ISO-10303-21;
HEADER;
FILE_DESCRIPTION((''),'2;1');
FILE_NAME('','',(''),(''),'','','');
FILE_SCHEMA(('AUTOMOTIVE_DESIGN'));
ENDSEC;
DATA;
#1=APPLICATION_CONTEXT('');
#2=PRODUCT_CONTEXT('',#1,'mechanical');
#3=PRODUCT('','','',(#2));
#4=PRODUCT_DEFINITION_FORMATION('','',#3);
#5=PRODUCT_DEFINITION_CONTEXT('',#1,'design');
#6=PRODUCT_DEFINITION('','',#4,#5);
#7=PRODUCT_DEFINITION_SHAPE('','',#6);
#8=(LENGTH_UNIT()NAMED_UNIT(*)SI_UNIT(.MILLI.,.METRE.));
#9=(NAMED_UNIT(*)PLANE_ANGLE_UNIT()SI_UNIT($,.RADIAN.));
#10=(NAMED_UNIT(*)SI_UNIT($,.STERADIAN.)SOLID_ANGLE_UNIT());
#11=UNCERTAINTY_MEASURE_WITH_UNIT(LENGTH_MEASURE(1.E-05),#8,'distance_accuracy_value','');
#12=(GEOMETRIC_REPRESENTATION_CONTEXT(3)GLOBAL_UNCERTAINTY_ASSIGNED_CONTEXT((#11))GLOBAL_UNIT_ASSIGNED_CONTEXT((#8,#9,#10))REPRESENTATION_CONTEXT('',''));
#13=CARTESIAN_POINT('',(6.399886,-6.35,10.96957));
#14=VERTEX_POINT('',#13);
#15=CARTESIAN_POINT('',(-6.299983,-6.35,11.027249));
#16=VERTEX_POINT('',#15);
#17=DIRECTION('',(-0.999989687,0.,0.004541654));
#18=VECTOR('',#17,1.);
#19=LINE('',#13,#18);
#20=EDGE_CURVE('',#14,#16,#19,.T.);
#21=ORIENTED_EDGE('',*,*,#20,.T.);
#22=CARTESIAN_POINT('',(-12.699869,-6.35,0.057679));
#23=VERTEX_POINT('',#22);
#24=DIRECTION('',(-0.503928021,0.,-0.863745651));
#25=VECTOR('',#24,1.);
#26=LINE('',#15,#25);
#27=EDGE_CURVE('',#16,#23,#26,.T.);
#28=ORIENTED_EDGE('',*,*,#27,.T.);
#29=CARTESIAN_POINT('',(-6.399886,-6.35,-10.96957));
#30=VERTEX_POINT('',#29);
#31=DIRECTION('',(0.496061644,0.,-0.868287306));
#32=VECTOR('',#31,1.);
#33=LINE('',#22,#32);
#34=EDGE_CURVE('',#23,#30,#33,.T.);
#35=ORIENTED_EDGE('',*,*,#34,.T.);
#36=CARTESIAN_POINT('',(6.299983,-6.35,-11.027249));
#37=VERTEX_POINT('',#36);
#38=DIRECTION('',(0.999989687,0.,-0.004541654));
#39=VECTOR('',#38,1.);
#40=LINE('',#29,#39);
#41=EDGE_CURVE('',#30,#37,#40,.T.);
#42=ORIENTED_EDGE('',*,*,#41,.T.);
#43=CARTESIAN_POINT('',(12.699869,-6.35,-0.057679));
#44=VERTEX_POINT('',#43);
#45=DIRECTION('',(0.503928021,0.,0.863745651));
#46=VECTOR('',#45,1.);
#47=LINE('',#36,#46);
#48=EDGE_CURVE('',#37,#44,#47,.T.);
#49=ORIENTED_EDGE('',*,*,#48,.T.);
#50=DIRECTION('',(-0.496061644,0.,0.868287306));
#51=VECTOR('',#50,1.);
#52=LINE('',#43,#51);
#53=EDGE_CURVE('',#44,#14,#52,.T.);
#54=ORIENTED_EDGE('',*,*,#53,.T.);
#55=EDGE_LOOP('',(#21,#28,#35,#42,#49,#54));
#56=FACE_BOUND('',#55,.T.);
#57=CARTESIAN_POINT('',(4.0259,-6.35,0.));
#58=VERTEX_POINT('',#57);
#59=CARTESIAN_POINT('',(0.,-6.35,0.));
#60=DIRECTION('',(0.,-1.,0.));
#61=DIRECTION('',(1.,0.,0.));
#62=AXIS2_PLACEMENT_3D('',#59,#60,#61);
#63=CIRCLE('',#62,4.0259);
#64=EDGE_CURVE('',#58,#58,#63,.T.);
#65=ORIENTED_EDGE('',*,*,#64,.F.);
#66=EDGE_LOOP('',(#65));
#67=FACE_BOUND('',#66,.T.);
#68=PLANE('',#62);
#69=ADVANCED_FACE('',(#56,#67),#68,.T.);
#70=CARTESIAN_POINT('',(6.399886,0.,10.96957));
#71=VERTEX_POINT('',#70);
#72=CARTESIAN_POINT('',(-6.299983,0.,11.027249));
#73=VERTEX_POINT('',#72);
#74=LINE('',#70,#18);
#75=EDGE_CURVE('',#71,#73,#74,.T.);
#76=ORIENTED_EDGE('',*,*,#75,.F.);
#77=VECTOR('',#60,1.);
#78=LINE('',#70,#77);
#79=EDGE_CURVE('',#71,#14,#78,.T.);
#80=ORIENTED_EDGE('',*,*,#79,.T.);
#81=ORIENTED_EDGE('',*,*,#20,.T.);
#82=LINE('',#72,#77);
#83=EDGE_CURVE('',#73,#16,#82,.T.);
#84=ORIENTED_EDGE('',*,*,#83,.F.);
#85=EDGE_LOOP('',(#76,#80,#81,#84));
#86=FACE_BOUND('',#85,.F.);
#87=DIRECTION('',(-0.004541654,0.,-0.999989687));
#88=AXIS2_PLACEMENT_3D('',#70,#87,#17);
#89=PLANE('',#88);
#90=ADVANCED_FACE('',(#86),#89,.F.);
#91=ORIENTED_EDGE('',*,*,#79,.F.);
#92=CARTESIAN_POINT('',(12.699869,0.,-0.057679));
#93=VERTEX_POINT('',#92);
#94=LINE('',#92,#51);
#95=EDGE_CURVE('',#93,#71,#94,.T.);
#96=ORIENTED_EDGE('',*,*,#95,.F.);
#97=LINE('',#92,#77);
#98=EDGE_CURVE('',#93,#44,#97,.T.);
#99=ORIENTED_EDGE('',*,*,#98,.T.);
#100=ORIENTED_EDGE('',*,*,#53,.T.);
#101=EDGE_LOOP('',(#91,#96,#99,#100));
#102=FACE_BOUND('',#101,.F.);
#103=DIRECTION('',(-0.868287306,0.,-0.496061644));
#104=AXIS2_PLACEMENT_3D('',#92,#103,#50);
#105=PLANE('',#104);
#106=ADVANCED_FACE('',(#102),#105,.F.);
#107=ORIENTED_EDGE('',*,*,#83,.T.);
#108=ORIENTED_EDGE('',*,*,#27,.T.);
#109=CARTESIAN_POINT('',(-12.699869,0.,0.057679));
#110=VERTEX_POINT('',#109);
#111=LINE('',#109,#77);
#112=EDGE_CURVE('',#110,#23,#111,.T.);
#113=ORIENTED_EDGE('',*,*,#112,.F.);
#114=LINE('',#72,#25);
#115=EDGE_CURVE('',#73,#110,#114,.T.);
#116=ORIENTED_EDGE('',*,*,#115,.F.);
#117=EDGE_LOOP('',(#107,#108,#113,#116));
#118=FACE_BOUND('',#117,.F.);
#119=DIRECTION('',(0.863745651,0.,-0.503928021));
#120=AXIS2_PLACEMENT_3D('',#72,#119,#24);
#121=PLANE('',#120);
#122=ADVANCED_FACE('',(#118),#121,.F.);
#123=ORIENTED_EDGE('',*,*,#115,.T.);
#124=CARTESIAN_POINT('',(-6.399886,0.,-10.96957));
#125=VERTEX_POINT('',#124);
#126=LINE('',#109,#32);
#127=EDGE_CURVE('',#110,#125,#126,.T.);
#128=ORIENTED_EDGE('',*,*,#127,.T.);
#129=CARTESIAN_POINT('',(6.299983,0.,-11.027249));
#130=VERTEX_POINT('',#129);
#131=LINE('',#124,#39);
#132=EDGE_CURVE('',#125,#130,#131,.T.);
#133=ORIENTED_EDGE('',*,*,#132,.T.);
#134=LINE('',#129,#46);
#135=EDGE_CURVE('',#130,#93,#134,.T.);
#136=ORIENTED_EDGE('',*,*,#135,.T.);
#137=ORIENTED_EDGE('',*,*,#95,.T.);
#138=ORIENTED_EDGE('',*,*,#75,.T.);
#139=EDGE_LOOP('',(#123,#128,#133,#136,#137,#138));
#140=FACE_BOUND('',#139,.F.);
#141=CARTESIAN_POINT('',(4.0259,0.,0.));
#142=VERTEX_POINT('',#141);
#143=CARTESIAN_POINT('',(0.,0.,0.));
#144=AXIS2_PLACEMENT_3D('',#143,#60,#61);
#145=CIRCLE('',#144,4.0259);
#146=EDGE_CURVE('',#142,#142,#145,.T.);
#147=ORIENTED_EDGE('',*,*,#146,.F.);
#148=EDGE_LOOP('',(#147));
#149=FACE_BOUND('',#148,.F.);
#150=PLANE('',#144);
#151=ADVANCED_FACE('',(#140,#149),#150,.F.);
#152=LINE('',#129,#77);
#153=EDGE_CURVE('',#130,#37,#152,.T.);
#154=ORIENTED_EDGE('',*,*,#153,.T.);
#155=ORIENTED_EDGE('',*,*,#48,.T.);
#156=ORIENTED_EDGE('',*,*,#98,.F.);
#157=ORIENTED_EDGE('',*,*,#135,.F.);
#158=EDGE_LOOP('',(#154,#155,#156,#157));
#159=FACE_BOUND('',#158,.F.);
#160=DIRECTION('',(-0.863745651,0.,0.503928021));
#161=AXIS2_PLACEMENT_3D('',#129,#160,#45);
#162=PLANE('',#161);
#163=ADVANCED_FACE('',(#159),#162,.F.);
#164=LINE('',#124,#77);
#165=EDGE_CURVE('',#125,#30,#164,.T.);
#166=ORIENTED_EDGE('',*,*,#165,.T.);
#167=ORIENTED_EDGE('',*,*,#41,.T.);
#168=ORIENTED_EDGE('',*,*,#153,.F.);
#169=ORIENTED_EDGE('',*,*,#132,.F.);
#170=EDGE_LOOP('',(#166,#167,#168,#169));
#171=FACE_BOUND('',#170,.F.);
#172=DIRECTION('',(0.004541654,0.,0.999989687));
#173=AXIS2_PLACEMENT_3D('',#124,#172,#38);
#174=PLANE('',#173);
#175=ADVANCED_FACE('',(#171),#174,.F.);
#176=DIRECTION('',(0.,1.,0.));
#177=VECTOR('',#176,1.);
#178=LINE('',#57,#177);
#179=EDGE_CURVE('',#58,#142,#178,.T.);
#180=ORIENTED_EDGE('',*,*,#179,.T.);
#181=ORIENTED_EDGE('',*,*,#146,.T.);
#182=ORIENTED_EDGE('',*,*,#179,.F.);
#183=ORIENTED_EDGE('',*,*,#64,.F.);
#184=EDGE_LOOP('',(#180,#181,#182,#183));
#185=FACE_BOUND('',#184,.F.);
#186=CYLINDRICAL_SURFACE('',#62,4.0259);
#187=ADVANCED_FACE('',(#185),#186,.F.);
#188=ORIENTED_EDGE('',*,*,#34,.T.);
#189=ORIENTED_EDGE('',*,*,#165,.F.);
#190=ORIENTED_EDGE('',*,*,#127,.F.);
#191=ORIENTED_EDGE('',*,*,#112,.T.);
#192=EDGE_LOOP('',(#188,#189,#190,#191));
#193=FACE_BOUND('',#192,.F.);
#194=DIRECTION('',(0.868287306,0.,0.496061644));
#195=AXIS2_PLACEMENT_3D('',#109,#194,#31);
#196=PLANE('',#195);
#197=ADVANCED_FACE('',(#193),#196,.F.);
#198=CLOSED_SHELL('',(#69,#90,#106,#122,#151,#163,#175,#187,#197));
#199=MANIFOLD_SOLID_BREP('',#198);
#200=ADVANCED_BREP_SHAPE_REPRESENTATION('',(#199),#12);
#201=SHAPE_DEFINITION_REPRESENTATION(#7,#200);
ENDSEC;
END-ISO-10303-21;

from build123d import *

# Parameters (mm, degrees)
F1_DEPTH = 6.35
F2_R     = 4.0259
F3_DEPTH = 25.4


with BuildPart() as f1:
    # F0 (on Front) → F1 (new body)
    with BuildSketch(Plane.XZ):
        Polygon((6.299983, -11.027249), (12.699869, -0.057679), (6.399886, 10.96957), (-6.299983, 11.027249), (-12.699869, 0.057679), (-6.399886, -10.96957), align=None)
    extrude(amount=F1_DEPTH)

    # F2 (on face) → F3 (cut)
    with BuildSketch(Plane.XZ.offset(6.35)):
        Circle(F2_R)
    extrude(amount=-F3_DEPTH, mode=Mode.SUBTRACT)


solid = f1.part
